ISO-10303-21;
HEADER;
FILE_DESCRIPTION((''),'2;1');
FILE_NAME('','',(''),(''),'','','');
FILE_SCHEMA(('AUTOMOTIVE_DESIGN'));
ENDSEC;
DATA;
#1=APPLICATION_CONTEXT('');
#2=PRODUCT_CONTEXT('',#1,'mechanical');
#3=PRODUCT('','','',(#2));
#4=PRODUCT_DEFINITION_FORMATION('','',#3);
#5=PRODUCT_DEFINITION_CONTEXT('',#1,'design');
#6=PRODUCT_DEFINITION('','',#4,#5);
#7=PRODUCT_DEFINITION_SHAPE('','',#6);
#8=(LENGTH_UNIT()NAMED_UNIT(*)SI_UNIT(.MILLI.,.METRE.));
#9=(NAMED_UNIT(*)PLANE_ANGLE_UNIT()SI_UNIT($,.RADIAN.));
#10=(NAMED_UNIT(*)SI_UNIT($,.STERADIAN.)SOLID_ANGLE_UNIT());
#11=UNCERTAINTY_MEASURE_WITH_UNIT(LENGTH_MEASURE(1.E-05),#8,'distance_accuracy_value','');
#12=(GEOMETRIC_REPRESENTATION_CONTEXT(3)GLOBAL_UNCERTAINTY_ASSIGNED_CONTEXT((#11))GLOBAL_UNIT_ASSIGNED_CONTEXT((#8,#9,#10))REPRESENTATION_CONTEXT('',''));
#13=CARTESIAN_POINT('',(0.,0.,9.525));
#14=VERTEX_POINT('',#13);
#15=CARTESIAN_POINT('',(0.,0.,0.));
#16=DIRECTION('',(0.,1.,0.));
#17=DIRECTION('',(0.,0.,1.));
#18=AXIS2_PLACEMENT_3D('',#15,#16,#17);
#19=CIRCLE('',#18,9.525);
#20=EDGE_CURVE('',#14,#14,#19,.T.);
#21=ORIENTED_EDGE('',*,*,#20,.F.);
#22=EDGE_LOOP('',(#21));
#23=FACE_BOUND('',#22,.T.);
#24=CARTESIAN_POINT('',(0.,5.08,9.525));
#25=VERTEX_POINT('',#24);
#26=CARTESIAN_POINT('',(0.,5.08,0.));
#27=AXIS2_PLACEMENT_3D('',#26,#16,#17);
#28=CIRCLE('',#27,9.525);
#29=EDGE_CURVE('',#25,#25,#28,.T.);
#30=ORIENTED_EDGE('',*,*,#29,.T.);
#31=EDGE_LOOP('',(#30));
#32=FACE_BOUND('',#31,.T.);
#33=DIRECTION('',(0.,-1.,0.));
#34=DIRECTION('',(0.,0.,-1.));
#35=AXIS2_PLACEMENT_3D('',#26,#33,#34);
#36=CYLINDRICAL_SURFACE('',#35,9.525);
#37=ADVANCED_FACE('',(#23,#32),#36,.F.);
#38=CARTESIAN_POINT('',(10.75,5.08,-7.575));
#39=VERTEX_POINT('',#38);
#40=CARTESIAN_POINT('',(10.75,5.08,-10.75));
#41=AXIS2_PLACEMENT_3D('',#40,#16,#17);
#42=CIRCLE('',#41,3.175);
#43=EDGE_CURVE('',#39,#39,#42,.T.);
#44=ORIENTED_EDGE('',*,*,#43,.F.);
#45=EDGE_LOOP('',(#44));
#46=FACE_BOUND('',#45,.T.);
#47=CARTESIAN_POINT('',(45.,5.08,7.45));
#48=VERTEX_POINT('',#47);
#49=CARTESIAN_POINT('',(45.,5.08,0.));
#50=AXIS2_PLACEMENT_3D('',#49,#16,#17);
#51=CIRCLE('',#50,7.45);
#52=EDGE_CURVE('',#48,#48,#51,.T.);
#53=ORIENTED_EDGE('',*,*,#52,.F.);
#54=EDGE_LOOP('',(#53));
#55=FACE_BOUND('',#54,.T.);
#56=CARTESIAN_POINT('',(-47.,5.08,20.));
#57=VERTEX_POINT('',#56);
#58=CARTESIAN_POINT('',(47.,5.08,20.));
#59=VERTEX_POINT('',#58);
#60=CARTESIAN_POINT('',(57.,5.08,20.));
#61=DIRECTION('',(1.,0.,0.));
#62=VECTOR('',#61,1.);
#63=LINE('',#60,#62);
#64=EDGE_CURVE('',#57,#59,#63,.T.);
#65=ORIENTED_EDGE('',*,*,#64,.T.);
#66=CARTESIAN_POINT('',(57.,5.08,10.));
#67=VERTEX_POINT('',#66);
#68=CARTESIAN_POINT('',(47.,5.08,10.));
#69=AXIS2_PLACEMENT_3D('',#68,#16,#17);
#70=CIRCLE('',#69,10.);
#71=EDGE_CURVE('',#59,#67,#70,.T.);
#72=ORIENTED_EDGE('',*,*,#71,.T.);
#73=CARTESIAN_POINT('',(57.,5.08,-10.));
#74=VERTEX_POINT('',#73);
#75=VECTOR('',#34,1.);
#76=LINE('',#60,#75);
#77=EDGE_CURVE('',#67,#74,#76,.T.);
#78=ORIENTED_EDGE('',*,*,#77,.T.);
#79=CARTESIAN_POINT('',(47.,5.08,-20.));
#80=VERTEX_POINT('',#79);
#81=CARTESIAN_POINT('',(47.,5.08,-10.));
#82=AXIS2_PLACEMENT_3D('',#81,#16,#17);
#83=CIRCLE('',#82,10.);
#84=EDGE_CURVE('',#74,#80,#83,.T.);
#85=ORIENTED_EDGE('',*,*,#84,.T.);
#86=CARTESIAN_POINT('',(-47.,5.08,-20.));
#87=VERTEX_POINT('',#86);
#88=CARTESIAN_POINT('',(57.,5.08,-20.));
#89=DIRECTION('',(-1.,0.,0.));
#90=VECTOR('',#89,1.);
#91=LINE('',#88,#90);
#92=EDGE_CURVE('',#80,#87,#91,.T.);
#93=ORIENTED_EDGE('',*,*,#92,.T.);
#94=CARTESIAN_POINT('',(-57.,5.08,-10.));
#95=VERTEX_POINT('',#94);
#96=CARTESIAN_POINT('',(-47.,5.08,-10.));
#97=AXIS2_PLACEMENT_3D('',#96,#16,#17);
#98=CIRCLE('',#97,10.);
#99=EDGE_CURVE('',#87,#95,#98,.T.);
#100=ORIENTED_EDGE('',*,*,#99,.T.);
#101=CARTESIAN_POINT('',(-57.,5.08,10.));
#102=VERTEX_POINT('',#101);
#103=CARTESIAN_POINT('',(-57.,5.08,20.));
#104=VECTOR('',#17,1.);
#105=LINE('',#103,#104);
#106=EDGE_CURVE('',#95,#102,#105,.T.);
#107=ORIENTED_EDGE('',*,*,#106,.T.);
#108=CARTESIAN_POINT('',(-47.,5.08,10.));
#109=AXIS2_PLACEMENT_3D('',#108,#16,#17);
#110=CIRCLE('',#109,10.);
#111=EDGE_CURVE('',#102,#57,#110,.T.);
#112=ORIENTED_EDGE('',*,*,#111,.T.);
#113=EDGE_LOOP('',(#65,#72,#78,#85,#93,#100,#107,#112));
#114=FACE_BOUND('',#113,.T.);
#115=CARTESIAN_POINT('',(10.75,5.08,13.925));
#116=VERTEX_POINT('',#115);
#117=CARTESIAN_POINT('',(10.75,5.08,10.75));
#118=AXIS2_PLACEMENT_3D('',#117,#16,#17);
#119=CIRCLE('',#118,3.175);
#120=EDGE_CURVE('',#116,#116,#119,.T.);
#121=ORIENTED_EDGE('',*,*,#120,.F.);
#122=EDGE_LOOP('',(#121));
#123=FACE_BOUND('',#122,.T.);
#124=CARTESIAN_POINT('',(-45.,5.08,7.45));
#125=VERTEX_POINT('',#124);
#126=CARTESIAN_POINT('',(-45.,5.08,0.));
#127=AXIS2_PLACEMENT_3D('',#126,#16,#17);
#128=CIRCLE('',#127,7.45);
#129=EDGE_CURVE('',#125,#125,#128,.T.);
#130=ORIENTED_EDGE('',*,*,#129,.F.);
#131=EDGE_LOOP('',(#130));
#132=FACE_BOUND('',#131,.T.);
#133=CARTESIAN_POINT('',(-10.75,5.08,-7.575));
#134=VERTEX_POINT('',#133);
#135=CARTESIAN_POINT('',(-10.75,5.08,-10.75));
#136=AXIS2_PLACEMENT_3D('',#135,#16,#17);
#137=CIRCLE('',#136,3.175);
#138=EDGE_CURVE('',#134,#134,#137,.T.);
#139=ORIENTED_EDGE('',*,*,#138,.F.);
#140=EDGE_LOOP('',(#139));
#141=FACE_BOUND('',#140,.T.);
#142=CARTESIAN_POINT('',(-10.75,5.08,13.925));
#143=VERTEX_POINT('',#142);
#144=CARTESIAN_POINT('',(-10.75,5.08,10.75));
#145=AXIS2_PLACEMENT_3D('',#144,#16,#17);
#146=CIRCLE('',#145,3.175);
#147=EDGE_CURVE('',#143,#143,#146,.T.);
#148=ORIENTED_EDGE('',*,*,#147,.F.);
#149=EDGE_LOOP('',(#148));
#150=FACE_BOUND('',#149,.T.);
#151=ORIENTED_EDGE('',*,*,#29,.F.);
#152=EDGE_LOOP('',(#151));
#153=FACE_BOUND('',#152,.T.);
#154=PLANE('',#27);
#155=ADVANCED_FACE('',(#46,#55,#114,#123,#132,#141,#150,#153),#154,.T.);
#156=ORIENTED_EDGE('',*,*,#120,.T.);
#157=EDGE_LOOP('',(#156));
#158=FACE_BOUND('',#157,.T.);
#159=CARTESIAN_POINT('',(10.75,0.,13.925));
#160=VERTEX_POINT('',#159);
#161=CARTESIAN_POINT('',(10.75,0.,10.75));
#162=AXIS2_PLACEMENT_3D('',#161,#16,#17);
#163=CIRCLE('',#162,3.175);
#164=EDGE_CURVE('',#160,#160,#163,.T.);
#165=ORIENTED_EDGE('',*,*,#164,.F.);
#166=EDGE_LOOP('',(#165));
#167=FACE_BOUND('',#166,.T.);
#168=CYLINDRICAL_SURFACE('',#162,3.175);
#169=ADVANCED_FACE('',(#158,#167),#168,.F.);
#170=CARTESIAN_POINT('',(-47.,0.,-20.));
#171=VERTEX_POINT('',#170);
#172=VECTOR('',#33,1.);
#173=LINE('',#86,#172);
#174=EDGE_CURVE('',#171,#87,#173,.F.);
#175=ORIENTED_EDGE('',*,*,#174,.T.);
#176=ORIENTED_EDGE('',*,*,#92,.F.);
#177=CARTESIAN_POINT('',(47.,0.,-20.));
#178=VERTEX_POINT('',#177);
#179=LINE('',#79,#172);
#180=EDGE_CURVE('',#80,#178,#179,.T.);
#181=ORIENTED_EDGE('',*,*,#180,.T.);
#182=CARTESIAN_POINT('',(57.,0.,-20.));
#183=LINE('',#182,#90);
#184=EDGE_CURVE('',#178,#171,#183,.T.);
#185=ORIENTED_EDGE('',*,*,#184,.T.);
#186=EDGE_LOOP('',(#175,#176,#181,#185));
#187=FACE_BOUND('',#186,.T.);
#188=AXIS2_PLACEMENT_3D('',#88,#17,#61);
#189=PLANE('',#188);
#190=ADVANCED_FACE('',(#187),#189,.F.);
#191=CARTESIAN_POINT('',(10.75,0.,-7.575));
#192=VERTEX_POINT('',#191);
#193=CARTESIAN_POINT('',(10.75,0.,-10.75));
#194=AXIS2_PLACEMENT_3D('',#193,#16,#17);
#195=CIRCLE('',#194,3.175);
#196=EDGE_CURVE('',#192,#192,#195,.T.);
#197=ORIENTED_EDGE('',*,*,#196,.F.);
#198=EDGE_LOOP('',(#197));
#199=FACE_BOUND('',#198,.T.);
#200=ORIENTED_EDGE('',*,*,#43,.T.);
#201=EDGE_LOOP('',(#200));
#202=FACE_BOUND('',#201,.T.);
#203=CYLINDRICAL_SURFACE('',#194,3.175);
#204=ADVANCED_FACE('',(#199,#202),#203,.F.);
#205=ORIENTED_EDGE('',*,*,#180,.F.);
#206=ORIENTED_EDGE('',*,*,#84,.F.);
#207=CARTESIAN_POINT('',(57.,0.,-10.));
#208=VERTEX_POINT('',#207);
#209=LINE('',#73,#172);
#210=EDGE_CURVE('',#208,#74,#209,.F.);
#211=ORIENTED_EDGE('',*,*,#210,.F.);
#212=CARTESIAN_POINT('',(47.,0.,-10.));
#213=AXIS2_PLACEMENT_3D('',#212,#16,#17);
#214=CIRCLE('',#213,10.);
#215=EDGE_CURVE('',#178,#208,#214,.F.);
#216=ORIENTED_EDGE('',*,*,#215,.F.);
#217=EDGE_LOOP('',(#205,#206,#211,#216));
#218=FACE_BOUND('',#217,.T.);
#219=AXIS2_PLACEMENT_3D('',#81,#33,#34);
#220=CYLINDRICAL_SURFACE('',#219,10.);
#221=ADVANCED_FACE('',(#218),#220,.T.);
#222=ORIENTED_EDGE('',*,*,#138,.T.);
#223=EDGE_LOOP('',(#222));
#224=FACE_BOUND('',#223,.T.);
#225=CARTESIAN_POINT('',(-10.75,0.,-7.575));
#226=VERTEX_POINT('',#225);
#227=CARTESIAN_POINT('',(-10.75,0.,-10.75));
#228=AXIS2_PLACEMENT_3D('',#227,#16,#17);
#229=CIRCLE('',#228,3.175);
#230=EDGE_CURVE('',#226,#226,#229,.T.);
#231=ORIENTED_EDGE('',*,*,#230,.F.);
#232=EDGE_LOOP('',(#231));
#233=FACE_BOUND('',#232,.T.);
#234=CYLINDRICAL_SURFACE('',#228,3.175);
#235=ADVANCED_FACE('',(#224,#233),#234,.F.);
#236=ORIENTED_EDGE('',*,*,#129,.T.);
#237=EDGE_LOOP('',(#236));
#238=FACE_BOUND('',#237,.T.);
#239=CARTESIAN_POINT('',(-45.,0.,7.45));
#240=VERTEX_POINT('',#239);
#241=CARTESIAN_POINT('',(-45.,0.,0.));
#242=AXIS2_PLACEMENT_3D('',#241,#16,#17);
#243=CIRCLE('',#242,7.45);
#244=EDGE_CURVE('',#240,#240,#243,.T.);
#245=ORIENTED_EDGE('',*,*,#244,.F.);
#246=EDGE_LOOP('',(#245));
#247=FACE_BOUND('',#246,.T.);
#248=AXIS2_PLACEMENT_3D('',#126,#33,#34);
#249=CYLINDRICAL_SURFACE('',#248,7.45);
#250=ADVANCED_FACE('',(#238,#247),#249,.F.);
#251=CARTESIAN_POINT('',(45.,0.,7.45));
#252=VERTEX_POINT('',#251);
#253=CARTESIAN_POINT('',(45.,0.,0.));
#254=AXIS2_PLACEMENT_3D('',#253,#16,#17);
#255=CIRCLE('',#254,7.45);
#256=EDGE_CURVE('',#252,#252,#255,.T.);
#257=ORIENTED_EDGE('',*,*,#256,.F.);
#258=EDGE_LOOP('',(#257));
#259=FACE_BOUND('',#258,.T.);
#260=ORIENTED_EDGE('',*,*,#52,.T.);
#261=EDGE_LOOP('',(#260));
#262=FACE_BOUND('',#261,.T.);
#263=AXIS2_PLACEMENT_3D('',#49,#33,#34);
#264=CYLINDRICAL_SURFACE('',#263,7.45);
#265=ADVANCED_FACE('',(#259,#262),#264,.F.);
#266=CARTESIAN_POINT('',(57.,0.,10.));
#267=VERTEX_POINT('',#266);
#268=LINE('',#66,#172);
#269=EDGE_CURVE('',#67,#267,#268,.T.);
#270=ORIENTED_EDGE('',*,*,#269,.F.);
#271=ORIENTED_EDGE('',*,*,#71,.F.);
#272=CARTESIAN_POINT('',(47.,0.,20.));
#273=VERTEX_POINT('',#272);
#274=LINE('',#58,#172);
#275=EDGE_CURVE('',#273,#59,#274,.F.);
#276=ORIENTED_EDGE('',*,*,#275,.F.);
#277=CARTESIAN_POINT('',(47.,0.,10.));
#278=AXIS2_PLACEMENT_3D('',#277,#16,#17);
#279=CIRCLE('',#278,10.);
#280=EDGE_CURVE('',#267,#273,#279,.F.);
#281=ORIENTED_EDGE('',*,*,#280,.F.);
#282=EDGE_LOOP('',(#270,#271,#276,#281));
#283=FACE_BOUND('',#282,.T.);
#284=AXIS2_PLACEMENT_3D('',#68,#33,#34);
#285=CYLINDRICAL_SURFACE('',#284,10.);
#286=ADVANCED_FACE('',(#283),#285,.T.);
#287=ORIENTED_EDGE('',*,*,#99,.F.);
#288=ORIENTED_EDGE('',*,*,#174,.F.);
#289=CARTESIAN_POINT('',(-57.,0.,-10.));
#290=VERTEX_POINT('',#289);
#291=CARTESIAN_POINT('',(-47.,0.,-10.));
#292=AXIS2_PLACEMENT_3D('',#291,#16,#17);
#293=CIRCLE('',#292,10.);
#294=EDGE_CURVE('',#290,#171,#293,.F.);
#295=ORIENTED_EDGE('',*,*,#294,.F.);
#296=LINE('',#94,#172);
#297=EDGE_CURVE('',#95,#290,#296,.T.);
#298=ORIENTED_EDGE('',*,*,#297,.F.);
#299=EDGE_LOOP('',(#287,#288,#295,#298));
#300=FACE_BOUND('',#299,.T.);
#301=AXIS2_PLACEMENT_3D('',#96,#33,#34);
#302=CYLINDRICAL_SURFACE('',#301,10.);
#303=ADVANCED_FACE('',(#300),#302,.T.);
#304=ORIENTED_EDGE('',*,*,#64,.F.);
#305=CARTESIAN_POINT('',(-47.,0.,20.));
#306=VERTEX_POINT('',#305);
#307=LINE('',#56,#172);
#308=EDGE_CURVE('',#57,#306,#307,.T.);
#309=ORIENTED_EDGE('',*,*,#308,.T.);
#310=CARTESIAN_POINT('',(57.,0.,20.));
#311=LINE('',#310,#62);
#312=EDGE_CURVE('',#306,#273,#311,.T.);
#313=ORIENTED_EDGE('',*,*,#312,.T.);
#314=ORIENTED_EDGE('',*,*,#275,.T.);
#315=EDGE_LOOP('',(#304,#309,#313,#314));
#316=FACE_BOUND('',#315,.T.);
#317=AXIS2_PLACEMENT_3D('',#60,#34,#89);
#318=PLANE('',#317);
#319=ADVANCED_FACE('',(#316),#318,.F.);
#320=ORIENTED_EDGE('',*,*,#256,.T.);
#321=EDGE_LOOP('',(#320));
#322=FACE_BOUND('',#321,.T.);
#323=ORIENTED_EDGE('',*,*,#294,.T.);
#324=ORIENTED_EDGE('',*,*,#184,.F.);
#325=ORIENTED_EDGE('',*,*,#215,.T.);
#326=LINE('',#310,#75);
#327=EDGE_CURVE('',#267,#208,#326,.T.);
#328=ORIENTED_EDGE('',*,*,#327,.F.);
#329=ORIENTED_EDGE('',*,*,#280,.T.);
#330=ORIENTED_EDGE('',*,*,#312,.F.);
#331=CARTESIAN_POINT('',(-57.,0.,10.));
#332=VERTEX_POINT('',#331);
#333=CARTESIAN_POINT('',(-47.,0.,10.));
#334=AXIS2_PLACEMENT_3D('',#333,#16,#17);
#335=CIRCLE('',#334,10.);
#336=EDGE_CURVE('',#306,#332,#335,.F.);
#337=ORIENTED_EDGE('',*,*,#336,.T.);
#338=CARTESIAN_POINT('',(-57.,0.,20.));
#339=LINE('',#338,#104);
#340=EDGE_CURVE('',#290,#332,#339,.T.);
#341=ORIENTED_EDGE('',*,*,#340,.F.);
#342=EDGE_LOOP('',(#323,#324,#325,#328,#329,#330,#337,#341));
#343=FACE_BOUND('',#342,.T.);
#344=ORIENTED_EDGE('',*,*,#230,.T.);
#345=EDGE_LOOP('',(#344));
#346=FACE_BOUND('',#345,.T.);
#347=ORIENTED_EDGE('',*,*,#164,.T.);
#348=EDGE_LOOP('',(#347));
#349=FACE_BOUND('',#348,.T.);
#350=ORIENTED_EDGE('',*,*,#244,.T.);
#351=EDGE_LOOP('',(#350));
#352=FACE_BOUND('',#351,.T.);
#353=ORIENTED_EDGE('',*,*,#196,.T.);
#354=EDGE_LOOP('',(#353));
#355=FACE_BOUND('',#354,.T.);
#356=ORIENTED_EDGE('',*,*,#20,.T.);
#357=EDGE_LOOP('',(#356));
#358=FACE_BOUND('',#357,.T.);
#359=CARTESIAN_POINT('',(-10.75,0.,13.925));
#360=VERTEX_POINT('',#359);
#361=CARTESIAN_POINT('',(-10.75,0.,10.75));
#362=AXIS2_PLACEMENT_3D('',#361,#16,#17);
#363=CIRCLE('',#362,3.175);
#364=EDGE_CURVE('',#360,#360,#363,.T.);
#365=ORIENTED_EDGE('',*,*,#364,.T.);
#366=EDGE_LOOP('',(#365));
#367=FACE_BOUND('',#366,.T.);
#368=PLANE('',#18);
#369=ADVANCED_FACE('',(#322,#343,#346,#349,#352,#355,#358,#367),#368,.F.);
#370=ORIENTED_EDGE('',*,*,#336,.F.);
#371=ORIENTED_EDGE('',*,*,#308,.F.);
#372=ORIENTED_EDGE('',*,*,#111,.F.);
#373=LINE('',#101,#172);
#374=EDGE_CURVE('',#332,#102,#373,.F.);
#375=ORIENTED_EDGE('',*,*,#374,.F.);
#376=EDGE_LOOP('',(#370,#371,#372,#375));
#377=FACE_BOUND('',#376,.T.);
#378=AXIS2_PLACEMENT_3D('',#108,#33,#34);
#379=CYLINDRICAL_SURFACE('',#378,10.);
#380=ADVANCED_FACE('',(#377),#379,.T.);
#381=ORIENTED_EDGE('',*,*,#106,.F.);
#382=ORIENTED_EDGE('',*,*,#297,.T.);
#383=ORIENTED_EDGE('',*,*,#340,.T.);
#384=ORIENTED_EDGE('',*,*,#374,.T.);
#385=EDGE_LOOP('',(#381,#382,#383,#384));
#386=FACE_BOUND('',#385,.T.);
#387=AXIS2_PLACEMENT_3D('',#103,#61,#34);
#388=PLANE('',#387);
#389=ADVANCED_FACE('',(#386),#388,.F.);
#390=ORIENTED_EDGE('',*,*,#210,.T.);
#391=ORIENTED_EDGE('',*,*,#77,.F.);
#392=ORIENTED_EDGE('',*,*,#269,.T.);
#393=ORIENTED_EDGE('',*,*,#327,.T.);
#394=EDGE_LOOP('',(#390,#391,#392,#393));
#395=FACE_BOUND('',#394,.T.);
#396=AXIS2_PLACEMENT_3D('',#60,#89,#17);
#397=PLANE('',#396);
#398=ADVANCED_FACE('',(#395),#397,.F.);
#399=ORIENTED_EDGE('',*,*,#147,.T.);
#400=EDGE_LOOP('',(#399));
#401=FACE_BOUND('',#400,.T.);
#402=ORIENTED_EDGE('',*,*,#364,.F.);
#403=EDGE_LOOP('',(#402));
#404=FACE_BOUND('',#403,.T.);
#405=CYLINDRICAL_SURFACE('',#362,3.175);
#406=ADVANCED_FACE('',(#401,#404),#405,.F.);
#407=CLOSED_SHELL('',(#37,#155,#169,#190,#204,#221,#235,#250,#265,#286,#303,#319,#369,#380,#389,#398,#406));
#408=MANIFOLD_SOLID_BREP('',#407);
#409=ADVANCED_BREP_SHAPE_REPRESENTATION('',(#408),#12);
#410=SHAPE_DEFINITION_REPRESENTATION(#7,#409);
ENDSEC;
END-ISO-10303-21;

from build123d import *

# Parameters (mm, degrees)
SKETCH1_W           = 114
SKETCH1_H           = 40
SKETCH1_R           = 7.45
SKETCH1_R_2         = 9.525
BOSS_EXTRUDE1_DEPTH = 5.08
FILLET1_R           = 10
SKETCH2_R           = 3.175
CUT_EXTRUDE1_DEPTH  = 6.08


with BuildPart() as part:
    # Sketch1 → Boss-Extrude1 (new body)
    with BuildSketch(Plane(origin=(0, 0, 0), x_dir=(1, 0, 0), z_dir=(0, 1, 0))):
        Rectangle(SKETCH1_W, SKETCH1_H)
        with Locations((-45, 0)):
            Circle(SKETCH1_R, mode=Mode.SUBTRACT)
        with Locations((45, 0)):
            Circle(SKETCH1_R, mode=Mode.SUBTRACT)
        Circle(SKETCH1_R_2, mode=Mode.SUBTRACT)
    extrude(amount=BOSS_EXTRUDE1_DEPTH)

    # Fillet1
    fillet1_edges = [part.edges().sort_by_distance(p)[0] for p in [
        (-57, 2.54, -20),
        (57, 2.54, -20),
        (57, 2.54, 20),
        (-57, 2.54, 20),
    ]]
    fillet(fillet1_edges, radius=FILLET1_R)

    # Sketch2 → Cut-Extrude1 (cut, through all)
    with BuildSketch(Plane(origin=(0, 5.08, 0), x_dir=(1, 0, 0), z_dir=(0, 1, 0))):
        with Locations((-10.75, -10.75)):
            Circle(SKETCH2_R)
        with Locations((-10.75, 10.75)):
            Circle(SKETCH2_R)
        with Locations((10.75, 10.75)):
            Circle(SKETCH2_R)
        with Locations((10.75, -10.75)):
            Circle(SKETCH2_R)
    extrude(amount=-CUT_EXTRUDE1_DEPTH, mode=Mode.SUBTRACT)


solid = part.part
